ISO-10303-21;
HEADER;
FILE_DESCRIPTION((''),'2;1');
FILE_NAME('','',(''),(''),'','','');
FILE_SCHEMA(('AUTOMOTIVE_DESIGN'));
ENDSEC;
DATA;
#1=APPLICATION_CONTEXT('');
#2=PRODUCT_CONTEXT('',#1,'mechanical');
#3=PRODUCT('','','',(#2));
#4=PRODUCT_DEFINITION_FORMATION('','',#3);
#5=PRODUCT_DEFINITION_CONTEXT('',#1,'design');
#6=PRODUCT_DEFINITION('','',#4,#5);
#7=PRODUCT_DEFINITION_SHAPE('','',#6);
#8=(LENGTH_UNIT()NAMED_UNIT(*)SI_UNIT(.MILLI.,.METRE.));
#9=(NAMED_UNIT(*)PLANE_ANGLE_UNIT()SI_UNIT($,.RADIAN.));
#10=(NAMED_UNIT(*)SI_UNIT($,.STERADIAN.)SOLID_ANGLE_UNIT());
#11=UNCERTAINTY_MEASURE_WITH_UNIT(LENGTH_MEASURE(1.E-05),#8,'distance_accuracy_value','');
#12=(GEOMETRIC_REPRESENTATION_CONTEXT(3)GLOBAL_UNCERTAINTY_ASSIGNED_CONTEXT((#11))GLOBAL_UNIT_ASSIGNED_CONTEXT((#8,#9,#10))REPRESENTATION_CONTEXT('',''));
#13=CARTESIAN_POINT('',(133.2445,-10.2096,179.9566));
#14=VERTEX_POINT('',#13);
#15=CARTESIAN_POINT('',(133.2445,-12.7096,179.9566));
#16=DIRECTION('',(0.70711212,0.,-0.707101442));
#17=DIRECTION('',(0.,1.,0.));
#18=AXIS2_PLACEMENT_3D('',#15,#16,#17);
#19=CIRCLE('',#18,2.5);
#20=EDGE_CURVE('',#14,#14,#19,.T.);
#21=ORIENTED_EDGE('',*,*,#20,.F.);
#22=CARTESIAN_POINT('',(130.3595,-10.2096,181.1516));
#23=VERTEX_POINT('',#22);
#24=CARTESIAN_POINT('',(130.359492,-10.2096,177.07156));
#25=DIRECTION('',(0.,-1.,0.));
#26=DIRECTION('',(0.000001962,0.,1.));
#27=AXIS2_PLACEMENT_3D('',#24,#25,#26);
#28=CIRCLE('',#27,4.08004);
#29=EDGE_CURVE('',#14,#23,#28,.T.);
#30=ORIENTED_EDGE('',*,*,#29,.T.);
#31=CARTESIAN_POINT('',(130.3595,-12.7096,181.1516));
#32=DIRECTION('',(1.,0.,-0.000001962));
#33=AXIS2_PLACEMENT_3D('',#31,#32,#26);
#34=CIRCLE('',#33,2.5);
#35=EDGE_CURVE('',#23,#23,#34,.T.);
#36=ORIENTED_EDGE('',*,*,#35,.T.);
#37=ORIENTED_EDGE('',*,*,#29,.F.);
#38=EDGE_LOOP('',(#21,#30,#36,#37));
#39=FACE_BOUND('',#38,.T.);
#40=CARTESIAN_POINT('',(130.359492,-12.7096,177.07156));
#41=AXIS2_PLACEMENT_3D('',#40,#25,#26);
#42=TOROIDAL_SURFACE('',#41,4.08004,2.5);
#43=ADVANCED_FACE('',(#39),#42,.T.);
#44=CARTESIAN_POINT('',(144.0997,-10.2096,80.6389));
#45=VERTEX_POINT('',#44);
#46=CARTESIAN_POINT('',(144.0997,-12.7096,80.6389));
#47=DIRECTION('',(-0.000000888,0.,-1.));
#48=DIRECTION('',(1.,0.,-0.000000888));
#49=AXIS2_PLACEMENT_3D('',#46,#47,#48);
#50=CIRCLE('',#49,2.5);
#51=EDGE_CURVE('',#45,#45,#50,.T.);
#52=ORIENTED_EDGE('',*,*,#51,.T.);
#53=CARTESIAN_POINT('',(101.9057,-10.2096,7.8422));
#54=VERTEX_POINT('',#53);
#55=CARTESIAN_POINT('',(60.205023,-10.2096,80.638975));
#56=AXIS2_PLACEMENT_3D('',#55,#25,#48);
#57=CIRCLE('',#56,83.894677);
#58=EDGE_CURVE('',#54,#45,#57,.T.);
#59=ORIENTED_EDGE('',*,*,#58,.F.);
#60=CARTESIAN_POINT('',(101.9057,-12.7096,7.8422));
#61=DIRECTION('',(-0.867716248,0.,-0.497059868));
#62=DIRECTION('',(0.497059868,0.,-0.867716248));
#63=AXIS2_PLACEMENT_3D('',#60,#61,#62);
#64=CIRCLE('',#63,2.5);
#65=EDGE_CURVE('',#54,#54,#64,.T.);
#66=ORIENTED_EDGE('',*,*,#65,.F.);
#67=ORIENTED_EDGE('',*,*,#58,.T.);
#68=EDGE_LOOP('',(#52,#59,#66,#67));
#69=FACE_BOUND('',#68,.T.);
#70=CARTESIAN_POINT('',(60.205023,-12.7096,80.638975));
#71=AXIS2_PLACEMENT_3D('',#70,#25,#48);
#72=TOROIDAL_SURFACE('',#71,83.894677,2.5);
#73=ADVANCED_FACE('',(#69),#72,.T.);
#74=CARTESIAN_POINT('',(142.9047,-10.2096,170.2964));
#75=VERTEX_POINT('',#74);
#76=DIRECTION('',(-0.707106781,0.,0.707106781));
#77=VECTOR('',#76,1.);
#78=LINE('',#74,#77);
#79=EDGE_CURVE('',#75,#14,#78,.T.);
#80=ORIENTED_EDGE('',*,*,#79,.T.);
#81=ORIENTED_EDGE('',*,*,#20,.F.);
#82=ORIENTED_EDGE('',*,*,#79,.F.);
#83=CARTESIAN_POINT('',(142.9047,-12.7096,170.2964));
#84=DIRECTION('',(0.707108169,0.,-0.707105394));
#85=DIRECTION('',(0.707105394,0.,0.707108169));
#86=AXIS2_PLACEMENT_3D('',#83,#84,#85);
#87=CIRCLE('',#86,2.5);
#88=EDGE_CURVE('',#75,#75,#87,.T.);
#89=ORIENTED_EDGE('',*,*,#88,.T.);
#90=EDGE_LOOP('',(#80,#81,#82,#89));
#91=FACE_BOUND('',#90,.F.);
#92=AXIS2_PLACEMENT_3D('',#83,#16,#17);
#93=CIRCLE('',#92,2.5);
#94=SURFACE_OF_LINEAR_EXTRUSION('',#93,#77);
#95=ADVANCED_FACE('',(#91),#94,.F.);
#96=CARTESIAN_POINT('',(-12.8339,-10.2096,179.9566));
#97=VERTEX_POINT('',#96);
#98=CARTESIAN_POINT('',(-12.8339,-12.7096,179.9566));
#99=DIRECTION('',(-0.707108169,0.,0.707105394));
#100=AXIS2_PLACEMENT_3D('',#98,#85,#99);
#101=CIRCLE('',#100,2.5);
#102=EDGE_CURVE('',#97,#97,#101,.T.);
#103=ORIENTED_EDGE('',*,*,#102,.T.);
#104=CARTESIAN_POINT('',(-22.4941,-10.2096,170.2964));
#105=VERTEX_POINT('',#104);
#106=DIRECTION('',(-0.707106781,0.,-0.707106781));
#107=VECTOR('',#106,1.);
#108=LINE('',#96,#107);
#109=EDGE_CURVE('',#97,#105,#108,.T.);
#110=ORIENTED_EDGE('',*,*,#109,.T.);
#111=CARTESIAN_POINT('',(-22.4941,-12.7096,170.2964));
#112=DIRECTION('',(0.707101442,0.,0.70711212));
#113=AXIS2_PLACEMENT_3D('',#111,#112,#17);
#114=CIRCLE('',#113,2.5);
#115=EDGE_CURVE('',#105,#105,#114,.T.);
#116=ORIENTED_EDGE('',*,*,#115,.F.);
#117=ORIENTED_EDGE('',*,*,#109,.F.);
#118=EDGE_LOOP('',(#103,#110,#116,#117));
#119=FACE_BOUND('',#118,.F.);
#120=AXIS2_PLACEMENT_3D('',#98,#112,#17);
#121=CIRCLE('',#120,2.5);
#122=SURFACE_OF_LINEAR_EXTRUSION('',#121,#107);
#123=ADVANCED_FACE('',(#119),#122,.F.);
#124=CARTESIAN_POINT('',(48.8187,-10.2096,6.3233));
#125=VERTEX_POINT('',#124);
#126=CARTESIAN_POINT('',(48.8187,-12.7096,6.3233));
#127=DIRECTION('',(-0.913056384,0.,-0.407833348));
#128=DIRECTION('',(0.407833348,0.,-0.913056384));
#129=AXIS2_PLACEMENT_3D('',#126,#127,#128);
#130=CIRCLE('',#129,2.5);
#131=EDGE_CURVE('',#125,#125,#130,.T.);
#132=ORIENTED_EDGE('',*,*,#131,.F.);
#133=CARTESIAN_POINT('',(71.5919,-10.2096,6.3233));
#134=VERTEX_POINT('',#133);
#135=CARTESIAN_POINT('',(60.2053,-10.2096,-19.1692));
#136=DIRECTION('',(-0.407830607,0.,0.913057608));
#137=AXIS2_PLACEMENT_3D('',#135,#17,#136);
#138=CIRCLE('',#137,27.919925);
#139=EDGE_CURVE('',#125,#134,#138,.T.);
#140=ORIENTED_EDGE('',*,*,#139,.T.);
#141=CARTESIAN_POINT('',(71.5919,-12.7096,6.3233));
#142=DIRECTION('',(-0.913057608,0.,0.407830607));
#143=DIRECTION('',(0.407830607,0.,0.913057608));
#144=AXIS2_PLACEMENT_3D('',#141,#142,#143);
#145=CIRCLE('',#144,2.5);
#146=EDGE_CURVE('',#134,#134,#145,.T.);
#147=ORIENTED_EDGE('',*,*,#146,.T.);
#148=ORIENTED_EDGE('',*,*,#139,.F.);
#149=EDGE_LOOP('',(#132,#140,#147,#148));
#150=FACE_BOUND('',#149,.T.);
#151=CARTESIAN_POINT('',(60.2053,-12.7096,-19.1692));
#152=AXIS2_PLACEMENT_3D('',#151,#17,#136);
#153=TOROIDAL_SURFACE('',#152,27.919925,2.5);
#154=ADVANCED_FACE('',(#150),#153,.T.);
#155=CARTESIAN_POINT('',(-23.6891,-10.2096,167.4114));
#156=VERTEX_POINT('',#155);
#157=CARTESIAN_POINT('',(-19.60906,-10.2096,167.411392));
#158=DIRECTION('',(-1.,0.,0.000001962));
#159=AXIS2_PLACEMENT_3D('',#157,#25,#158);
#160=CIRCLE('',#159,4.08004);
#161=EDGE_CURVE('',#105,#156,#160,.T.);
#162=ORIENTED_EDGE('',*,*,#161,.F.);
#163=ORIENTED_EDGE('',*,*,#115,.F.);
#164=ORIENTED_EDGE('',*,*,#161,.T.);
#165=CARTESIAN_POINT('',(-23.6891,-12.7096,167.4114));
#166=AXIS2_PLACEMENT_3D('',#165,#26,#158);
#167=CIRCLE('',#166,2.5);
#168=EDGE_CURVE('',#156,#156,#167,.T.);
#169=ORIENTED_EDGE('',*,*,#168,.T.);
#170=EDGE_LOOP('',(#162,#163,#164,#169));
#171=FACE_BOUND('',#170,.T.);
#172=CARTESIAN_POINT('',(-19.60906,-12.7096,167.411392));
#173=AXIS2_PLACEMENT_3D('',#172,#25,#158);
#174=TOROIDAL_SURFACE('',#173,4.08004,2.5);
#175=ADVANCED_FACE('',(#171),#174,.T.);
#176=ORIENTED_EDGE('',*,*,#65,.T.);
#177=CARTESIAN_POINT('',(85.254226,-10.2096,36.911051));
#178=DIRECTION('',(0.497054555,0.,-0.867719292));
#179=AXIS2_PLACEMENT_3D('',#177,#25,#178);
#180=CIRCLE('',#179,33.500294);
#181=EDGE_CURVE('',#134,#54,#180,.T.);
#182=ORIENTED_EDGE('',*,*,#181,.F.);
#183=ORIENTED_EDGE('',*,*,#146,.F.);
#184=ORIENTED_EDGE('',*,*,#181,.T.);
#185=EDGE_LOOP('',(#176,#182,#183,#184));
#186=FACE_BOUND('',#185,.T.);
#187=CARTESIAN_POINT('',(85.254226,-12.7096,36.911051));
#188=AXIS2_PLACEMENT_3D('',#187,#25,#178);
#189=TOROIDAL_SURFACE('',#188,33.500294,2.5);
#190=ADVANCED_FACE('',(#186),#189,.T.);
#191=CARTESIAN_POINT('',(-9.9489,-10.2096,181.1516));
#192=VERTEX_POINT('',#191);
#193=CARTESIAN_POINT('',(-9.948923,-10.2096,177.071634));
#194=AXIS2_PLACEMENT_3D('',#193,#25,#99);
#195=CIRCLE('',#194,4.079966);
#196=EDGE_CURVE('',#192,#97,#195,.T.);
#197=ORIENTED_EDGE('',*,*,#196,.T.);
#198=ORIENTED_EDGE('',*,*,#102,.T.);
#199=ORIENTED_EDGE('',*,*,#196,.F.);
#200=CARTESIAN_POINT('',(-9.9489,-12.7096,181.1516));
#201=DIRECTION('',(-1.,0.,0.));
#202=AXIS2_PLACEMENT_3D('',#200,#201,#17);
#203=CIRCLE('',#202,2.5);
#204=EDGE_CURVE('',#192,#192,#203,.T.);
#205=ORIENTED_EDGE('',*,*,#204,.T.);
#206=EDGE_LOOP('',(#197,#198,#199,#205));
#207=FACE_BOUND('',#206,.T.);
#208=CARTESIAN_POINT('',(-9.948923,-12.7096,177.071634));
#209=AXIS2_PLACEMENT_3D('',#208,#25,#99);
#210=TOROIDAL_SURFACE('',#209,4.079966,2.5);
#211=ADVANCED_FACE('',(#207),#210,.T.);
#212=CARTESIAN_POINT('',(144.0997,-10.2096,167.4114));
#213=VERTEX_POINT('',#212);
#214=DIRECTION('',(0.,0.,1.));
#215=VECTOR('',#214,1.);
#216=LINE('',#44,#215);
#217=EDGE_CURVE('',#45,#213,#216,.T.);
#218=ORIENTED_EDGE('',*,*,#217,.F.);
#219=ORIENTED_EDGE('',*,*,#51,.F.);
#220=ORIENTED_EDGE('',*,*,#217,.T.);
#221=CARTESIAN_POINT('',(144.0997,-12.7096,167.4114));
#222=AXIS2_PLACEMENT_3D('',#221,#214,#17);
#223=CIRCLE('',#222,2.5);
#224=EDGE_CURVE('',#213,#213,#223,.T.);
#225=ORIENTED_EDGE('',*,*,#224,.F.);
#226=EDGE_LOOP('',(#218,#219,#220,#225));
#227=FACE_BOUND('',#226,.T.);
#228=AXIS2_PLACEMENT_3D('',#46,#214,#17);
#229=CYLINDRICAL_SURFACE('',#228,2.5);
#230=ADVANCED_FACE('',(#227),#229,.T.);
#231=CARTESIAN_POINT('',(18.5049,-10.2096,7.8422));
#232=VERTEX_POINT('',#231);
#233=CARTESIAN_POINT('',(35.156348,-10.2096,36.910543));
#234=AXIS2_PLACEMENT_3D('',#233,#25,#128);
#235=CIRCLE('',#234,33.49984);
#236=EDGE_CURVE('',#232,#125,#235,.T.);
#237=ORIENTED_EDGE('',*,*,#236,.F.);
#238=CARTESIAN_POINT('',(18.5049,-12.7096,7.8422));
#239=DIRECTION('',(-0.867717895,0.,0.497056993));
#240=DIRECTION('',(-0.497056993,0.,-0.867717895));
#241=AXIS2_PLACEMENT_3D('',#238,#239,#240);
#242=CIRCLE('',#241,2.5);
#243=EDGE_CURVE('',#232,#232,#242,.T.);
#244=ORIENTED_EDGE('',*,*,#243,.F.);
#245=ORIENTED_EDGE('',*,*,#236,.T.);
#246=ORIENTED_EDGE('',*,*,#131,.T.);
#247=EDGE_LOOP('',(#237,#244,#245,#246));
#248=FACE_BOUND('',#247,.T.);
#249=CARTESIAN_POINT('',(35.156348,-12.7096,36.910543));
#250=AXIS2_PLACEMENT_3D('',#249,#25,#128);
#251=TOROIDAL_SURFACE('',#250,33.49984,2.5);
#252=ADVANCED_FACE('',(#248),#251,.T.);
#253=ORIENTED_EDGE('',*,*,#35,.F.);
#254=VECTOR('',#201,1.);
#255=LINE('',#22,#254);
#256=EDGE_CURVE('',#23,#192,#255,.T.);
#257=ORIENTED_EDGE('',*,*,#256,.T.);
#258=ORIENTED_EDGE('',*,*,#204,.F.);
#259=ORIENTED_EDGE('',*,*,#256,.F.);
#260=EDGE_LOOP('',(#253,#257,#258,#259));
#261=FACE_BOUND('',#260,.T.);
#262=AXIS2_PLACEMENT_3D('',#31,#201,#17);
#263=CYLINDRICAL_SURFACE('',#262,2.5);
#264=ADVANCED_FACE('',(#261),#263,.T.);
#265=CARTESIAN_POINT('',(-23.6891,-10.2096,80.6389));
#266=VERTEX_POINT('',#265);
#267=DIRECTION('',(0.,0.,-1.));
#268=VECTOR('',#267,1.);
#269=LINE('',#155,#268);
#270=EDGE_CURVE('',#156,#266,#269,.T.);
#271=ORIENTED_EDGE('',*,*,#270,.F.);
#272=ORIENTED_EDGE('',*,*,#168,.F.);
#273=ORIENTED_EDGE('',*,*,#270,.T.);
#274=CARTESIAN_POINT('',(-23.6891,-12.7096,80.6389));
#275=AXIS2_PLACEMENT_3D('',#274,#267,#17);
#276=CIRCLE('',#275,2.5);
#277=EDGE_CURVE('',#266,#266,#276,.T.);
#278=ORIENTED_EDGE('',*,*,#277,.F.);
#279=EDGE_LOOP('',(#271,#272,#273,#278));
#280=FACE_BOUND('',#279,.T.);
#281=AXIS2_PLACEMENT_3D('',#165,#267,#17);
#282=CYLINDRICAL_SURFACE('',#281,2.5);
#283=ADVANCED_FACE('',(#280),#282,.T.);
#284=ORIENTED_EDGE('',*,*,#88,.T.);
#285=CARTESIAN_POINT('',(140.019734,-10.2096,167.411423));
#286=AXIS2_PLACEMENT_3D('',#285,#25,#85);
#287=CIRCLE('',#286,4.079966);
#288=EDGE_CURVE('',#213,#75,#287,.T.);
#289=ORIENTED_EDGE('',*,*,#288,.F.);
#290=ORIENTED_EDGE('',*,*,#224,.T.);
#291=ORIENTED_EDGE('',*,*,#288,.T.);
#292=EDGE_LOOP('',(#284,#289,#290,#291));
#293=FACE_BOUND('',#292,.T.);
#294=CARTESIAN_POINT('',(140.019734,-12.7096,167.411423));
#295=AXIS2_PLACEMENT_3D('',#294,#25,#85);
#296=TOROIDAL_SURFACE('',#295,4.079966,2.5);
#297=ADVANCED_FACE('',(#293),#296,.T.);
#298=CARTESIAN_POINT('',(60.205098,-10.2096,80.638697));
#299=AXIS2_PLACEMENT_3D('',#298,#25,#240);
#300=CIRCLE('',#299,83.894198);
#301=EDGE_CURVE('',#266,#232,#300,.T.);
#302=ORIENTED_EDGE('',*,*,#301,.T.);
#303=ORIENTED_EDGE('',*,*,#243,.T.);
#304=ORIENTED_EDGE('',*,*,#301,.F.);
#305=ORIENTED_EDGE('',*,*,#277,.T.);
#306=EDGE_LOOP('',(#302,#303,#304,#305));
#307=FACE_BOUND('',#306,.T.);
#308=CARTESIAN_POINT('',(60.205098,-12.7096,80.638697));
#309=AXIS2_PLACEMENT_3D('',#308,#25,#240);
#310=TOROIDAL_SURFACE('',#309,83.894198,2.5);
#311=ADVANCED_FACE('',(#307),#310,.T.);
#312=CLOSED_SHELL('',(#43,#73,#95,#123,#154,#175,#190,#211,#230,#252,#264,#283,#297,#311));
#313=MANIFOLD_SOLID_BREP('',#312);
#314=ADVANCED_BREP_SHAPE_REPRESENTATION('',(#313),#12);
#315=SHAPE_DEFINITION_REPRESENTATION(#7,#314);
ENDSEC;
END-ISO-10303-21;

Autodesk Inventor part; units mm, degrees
ref_plane "YZ Plane" through (0, 0, 0) normal (1, 0, 0) x (0, 1, 0)
ref_plane "XZ Plane" through (0, 0, 0) normal (0, 1, 0) x (-1, 0, 0)
ref_plane "Work Plane1" through (60.2053, -12.7096, 92.2812) normal (0, 1, 0) x (-1, 0, 0)
sketch "Sketch1" plane through (60.2053, -12.7096, 92.2812) normal (0, 1, 0) x (-1, 0, 0)
  arc A0 (-40.6666, -82.6341) -> (-12.2349, -84.0587) centre (-25.049, -55.3704) ccw construction
  arc A1 (12.2349, -84.0587) -> (-12.2349, -84.0587) centre (0, -111.4504) ccw construction
  arc A2 (12.2349, -84.0587) -> (40.6666, -82.6341) centre (25.049, -55.3704) ccw construction
  arc A3 (40.6666, -82.6341) -> (81.8144, -11.6423) centre (0, -11.6423) ccw construction
  line L0 (81.8144, -11.6423) -> (81.8144, 75.1302) construction
  arc A4 (81.8144, 75.1302) -> (81.2286, 76.5444) centre (79.8144, 75.1302) ccw construction
  line L1 (81.2286, 76.5444) -> (71.5684, 86.2046) construction
  arc A5 (71.5684, 86.2046) -> (70.1542, 86.7904) centre (70.1542, 84.7904) ccw construction
  line L2 (70.1542, 86.7904) -> (-70.1542, 86.7904) construction
  arc A6 (-70.1542, 86.7904) -> (-71.5684, 86.2046) centre (-70.1542, 84.7904) ccw construction
  line L3 (-71.5684, 86.2046) -> (-81.2286, 76.5444) construction
  arc A7 (-81.2286, 76.5444) -> (-81.8144, 75.1302) centre (-79.8144, 75.1302) ccw construction
  line L4 (-81.8144, 75.1302) -> (-81.8144, -11.6423) construction
  arc A8 (-81.8144, -11.6423) -> (-40.6666, -82.6341) centre (0, -11.6423) ccw construction
  arc A9 (10, -81.3229) -> (-10, -81.3229) centre (0, -11.6423) ccw construction
  arc A10 (-39.9607, -81.4019) -> (-10, -81.3229) centre (-25.049, -55.3704) ccw construction
  arc A11 (-80.3944, -11.6423) -> (-39.9607, -81.4019) centre (0, -11.6423) ccw construction
  line L5 (-80.3944, 75.3704) -> (-80.3944, -11.6423) construction
  line L6 (-70.3944, 85.3704) -> (-80.3944, 75.3704) construction
  line L7 (70.3944, 85.3704) -> (-70.3944, 85.3704) construction
  line L8 (80.3944, 75.3704) -> (70.3944, 85.3704) construction
  line L9 (80.3944, -11.6423) -> (80.3944, 75.3704) construction
  arc A12 (39.9607, -81.4019) -> (80.3944, -11.6423) centre (0, -11.6423) ccw construction
  arc A13 (10, -81.3229) -> (39.9607, -81.4019) centre (25.049, -55.3704) ccw construction
  circle A14 centre (0, -11.6423) radius 68.3944 construction
  arc A15 (-87.3944, -11.6423) -> (87.3944, -11.6423) centre (0, -11.6423) ccw construction
  line L10 (87.3944, 88.3704) -> (87.3944, -11.6423) construction
  arc A16 (87.3944, 88.3704) -> (83.3944, 92.3704) centre (83.3944, 88.3704) ccw construction
  line L11 (-83.3944, 92.3704) -> (83.3944, 92.3704) construction
  arc A17 (-83.3944, 92.3704) -> (-87.3944, 88.3704) centre (-83.3944, 88.3704) ccw construction
  line L12 (-87.3944, -11.6423) -> (-87.3944, 88.3704) construction
  circle A18 centre (0, -95.5368) radius 1.85 construction
  circle A19 centre (-83.3944, 88.3704) radius 1.85 construction
  circle A20 centre (83.3944, 88.3704) radius 1.85 construction
  arc A21 (-85.9744, -11.6423) -> (-42.7343, -86.2438) centre (0, -11.6423) ccw construction
  line L13 (-85.9744, -11.6423) -> (-85.9744, 75.1302) construction
  arc A22 (-84.1702, 79.486) -> (-85.9744, 75.1302) centre (-79.8144, 75.1302) ccw construction
  line L14 (-84.1702, 79.486) -> (-74.51, 89.1462) construction
  arc A23 (-70.1542, 90.9504) -> (-74.51, 89.1462) centre (-70.1542, 84.7904) ccw construction
  line L15 (-70.1542, 90.9504) -> (70.1542, 90.9504) construction
  arc A24 (74.51, 89.1462) -> (70.1542, 90.9504) centre (70.1542, 84.7904) ccw construction
  line L16 (74.51, 89.1462) -> (84.1702, 79.486) construction
  arc A25 (85.9744, 75.1302) -> (84.1702, 79.486) centre (79.8144, 75.1302) ccw construction
  line L17 (85.9744, 75.1302) -> (85.9744, -11.6423) construction
  arc A26 (42.7343, -86.2438) -> (85.9744, -11.6423) centre (0, -11.6423) ccw construction
  arc A27 (10.5384, -87.857) -> (42.7343, -86.2438) centre (25.049, -55.3704) ccw construction
  arc A28 (10.5384, -87.857) -> (-10.5384, -87.857) centre (0, -111.4504) ccw construction
  arc A29 (-42.7343, -86.2438) -> (-10.5384, -87.857) centre (-25.049, -55.3704) ccw construction
  line L18 (-83.8944, -11.6423) -> (-83.8944, 75.1302)
  arc A30 (-82.6994, 78.0152) -> (-83.8944, 75.1302) centre (-79.8144, 75.1302) ccw
  line L19 (-82.6994, 78.0152) -> (-73.0392, 87.6754)
  arc A31 (-70.1542, 88.8704) -> (-73.0392, 87.6754) centre (-70.1542, 84.7904) ccw
  line L20 (-70.1542, 88.8704) -> (70.1542, 88.8704)
  arc A32 (73.0392, 87.6754) -> (70.1542, 88.8704) centre (70.1542, 84.7904) ccw
  line L21 (73.0392, 87.6754) -> (82.6994, 78.0152)
  arc A33 (83.8944, 75.1302) -> (82.6994, 78.0152) centre (79.8144, 75.1302) ccw
  line L22 (83.8944, 75.1302) -> (83.8944, -11.6423)
  arc A34 (41.7004, -84.439) -> (83.8944, -11.6423) centre (0, -11.6423) ccw
  arc A35 (11.3866, -85.9579) -> (41.7004, -84.439) centre (25.049, -55.3704) ccw
  arc A36 (11.3866, -85.9579) -> (-11.3866, -85.9579) centre (0, -111.4504) ccw
  arc A37 (-41.7004, -84.439) -> (-11.3866, -85.9579) centre (-25.049, -55.3704) ccw
  arc A38 (-83.8944, -11.6423) -> (-41.7004, -84.439) centre (0, -11.6423) ccw
  point P0 (60.2053, -92.2812)
  dimension "d0" = 2.08
sketch "Sketch2" plane through (0, 0, 0) normal (1, 0, 0) x (0, 1, 0)
  circle A0 centre (-12.7096, 181.1516) radius 2.5
  point P0 (0, 0)
  dimension "d1" = 5
sweep "Sweep1" add profiles "Sketch2" path "Sketch1"
properties part number "middle_gasket" material "Rubber, Black"
